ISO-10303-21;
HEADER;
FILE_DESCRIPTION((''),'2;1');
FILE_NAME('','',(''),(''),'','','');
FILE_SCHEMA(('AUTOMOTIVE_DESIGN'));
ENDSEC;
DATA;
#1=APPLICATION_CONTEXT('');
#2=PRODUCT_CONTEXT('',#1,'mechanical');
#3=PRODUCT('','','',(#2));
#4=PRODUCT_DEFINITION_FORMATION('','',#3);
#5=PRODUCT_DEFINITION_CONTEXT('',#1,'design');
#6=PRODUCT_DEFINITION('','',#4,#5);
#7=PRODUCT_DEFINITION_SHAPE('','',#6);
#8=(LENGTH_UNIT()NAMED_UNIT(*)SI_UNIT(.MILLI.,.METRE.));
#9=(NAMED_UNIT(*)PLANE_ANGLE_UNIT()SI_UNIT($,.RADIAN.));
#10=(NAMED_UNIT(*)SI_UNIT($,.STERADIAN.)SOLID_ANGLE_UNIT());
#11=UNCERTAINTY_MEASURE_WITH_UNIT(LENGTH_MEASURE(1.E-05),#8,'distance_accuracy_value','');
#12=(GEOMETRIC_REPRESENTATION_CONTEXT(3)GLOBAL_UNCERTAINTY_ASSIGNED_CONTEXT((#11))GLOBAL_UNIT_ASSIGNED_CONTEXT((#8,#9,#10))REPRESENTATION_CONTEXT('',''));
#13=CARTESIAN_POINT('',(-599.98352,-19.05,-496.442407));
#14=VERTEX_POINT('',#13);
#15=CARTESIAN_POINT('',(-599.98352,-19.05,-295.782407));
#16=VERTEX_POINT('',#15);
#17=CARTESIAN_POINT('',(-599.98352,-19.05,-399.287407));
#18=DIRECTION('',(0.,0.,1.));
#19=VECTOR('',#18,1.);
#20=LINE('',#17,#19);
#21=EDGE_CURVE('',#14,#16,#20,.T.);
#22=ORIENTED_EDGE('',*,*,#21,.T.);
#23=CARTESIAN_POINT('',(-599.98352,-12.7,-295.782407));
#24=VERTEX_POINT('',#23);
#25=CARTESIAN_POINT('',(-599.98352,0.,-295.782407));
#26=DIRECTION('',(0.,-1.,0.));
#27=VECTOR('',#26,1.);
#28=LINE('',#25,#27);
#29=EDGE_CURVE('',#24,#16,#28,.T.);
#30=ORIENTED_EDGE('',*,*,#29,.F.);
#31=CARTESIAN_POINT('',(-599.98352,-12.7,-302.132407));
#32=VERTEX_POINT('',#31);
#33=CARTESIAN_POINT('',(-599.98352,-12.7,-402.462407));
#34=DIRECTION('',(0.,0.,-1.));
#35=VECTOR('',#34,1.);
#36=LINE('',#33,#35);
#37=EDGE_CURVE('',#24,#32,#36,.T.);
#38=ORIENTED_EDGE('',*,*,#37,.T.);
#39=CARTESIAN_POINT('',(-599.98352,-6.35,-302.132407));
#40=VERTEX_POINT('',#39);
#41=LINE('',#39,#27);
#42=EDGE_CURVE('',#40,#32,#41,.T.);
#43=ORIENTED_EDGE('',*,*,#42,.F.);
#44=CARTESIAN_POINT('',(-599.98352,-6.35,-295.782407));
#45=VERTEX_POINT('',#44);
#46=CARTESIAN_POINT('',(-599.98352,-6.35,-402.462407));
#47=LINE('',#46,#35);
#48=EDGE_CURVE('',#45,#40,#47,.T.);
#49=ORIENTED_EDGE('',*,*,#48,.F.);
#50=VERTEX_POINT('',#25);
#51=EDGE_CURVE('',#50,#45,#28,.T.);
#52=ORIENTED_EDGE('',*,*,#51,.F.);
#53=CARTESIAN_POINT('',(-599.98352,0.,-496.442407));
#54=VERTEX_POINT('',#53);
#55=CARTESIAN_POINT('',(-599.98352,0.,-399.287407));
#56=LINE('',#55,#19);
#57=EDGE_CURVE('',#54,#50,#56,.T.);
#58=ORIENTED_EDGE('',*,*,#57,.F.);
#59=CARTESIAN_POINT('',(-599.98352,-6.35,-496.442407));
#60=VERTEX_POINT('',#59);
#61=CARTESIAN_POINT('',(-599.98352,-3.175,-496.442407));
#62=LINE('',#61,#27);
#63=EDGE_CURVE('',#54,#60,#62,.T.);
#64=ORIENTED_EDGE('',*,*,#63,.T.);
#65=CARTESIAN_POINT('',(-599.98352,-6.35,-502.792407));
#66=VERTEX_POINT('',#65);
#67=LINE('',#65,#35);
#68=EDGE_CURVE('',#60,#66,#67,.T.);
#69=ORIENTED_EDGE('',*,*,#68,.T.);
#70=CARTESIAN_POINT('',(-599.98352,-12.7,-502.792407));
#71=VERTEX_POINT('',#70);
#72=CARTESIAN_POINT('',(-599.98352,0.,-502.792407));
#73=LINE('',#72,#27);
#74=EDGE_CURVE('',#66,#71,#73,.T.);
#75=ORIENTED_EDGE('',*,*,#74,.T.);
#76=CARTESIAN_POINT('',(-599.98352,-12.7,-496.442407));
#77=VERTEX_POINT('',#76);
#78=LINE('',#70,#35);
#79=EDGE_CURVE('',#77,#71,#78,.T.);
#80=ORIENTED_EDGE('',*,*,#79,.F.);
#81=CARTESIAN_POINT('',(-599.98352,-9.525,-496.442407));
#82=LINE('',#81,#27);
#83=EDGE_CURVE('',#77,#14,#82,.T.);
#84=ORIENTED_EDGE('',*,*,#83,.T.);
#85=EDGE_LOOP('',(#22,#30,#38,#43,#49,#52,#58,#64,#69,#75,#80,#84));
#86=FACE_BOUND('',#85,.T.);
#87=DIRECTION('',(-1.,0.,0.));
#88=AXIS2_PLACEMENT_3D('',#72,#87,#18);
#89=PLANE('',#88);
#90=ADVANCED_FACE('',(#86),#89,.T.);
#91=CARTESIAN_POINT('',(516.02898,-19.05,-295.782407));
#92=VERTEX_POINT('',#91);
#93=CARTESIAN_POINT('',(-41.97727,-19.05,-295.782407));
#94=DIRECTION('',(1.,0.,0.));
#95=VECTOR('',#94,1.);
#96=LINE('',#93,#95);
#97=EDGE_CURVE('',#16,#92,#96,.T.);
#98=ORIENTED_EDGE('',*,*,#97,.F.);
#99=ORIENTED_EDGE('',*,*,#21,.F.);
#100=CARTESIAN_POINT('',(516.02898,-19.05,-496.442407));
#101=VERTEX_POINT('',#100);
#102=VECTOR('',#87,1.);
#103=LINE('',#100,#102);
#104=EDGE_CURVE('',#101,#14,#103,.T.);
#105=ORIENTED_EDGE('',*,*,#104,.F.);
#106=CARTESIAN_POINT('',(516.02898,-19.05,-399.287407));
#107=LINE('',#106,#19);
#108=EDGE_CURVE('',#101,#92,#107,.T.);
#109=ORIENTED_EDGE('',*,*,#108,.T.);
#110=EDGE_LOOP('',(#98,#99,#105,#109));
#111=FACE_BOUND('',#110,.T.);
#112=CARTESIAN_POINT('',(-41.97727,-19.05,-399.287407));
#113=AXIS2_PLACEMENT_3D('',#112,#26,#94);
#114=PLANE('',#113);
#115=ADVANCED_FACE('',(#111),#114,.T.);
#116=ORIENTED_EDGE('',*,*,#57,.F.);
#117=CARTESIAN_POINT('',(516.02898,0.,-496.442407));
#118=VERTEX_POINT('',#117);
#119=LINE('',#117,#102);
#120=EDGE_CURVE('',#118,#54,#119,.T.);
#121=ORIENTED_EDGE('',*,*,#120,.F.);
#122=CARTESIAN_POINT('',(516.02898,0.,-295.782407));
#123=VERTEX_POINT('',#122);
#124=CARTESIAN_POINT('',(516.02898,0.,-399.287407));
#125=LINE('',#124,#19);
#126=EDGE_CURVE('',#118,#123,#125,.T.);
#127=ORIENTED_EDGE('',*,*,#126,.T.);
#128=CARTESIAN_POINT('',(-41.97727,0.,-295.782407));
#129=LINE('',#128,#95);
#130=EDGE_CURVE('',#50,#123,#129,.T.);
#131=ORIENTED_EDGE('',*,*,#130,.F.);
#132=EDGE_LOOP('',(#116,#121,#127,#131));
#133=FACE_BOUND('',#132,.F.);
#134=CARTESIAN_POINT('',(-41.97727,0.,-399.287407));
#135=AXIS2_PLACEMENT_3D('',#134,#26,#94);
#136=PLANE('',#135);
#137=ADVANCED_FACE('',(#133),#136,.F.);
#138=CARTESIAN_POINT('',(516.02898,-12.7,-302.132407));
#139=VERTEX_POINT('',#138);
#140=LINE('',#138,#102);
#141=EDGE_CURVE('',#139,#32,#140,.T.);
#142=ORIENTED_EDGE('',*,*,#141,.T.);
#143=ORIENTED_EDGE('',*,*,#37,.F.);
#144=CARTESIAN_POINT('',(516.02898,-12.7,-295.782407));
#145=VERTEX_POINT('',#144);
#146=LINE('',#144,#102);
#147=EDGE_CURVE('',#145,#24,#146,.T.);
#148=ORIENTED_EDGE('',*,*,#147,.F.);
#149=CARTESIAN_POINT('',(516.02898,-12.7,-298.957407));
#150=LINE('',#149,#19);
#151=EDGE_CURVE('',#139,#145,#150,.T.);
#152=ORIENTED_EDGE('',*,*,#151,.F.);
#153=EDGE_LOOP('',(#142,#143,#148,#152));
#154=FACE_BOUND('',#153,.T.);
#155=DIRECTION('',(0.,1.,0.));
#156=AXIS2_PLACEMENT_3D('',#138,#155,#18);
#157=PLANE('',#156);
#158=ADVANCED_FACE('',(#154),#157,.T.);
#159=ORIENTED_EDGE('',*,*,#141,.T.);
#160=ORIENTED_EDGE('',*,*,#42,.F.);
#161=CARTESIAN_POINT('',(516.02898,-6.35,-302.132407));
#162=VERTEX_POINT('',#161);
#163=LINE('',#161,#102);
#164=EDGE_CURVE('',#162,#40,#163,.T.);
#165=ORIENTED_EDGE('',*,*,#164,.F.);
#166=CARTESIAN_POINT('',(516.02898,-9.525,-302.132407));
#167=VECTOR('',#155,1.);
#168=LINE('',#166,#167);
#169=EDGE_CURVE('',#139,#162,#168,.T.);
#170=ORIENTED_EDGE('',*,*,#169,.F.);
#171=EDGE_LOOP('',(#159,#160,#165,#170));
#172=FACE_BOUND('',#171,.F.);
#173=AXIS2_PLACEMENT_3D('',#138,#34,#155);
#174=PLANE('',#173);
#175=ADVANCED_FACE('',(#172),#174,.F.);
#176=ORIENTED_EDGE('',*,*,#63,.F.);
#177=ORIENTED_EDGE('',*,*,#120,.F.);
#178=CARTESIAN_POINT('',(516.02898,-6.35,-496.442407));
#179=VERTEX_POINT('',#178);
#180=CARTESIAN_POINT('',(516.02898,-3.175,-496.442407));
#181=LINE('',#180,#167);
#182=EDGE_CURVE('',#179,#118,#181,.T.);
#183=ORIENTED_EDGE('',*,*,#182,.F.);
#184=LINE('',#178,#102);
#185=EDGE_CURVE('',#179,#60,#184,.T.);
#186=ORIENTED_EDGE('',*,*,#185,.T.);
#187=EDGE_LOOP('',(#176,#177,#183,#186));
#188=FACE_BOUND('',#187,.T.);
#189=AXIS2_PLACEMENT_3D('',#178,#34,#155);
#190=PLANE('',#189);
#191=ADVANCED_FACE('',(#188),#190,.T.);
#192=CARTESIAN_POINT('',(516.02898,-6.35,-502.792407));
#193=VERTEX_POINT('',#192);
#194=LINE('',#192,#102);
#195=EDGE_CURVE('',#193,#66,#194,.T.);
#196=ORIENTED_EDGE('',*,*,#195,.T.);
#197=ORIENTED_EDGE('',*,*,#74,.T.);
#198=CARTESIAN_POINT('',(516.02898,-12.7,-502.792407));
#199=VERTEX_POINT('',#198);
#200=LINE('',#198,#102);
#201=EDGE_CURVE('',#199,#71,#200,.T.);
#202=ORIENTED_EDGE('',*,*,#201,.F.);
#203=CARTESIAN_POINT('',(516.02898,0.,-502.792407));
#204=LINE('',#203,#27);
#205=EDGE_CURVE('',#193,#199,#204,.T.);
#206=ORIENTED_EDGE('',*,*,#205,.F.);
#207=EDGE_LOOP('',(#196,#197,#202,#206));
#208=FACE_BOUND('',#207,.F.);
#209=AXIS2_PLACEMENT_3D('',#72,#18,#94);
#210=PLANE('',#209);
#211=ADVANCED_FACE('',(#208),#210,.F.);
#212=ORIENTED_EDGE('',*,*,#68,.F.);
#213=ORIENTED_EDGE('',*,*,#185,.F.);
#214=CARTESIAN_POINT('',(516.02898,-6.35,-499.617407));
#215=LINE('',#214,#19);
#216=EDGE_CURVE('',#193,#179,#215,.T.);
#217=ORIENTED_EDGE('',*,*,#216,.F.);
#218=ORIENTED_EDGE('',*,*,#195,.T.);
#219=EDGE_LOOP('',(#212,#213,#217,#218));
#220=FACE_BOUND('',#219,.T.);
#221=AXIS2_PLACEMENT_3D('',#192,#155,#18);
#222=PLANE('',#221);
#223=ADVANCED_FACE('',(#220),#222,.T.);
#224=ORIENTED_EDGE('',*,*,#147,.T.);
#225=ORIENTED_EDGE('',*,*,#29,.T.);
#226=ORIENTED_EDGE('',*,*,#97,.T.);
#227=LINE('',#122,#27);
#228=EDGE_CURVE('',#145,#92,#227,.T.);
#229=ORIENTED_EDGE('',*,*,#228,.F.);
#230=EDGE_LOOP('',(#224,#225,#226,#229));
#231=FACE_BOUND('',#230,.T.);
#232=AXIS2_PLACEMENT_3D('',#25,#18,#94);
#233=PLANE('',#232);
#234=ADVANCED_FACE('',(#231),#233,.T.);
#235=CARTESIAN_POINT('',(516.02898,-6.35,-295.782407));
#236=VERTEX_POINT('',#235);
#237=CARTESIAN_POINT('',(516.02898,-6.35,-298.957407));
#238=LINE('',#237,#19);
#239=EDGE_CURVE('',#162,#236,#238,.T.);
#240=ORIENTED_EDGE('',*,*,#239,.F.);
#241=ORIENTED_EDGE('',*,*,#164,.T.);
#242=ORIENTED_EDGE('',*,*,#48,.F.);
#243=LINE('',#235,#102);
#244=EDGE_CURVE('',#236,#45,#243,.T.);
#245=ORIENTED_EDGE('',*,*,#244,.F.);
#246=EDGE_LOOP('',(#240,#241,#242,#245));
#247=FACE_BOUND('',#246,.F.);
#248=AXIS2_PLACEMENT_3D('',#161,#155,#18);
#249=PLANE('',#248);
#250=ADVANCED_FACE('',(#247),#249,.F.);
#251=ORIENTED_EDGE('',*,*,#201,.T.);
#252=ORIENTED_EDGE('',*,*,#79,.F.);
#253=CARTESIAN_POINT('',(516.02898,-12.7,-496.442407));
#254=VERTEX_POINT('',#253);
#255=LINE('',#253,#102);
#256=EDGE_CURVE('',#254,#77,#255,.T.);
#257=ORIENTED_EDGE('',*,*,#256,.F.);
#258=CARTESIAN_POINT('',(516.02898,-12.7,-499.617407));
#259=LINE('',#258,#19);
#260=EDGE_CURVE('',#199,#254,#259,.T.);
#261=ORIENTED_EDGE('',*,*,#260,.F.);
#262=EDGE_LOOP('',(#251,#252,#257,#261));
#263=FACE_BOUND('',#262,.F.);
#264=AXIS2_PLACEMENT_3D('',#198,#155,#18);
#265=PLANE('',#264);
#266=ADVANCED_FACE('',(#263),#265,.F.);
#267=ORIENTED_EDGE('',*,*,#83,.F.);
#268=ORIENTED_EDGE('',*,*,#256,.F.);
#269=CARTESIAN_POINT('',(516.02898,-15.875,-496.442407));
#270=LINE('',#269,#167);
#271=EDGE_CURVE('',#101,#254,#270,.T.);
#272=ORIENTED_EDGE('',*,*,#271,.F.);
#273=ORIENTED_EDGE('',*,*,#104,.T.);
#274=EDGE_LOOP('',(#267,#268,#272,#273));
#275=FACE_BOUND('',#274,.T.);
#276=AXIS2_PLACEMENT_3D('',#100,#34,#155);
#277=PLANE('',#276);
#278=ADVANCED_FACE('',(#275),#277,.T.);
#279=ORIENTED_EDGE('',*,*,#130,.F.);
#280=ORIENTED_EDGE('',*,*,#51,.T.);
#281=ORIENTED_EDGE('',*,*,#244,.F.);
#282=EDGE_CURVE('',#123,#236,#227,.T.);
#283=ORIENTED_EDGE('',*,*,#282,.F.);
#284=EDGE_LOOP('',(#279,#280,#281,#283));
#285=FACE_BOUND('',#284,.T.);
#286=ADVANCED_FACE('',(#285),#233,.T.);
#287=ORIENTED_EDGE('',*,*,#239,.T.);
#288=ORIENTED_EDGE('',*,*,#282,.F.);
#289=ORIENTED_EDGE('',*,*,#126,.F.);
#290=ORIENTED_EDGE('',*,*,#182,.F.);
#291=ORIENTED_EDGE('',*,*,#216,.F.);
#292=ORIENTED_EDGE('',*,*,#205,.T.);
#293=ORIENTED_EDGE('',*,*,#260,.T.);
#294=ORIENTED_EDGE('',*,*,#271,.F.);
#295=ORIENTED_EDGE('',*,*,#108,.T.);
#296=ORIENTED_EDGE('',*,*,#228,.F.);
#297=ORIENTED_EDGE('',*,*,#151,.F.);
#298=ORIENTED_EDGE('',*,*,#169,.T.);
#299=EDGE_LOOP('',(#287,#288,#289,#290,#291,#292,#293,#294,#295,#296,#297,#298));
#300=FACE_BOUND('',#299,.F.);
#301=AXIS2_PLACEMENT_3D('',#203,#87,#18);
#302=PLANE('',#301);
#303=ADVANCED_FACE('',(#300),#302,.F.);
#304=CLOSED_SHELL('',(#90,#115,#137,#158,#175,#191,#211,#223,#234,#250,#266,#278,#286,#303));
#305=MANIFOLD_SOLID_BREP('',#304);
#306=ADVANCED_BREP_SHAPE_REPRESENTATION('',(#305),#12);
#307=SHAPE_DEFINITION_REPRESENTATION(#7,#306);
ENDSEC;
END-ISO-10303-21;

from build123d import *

# Parameters (mm, degrees)
F0_W     = 1116.0125
F0_H     = 207.01
F1_DEPTH = 19.05
F2_W     = 6.35
F2_H     = 6.35
F3_DEPTH = 1116.0135
F4_W     = 6.35
F4_H     = 6.35
F5_DEPTH = 1116.0135


with BuildPart() as f1:
    # F0 (on Front) → F1 (new body)
    with BuildSketch(Plane.XZ):
        with Locations((-41.97727, -399.287407)):
            Rectangle(F0_W, F0_H)
    extrude(amount=F1_DEPTH)

    # F2 (on face) → F3 (cut, through all)
    with BuildSketch(Plane.YZ.offset(516.02898)):
        with Locations((-9.525, -298.957407)):
            Rectangle(F2_W, F2_H)
    extrude(amount=-F3_DEPTH, mode=Mode.SUBTRACT)

    # F4 (on face) → F5 (cut, through all)
    with BuildSketch(Plane.YZ.offset(516.02898)):
        with Locations((-15.875, -499.617407)):
            Rectangle(F4_W, F4_H)
        with Locations((-3.175, -499.617407)):
            Rectangle(F4_W, F4_H)
    extrude(amount=-F5_DEPTH, mode=Mode.SUBTRACT)


solid = f1.part
